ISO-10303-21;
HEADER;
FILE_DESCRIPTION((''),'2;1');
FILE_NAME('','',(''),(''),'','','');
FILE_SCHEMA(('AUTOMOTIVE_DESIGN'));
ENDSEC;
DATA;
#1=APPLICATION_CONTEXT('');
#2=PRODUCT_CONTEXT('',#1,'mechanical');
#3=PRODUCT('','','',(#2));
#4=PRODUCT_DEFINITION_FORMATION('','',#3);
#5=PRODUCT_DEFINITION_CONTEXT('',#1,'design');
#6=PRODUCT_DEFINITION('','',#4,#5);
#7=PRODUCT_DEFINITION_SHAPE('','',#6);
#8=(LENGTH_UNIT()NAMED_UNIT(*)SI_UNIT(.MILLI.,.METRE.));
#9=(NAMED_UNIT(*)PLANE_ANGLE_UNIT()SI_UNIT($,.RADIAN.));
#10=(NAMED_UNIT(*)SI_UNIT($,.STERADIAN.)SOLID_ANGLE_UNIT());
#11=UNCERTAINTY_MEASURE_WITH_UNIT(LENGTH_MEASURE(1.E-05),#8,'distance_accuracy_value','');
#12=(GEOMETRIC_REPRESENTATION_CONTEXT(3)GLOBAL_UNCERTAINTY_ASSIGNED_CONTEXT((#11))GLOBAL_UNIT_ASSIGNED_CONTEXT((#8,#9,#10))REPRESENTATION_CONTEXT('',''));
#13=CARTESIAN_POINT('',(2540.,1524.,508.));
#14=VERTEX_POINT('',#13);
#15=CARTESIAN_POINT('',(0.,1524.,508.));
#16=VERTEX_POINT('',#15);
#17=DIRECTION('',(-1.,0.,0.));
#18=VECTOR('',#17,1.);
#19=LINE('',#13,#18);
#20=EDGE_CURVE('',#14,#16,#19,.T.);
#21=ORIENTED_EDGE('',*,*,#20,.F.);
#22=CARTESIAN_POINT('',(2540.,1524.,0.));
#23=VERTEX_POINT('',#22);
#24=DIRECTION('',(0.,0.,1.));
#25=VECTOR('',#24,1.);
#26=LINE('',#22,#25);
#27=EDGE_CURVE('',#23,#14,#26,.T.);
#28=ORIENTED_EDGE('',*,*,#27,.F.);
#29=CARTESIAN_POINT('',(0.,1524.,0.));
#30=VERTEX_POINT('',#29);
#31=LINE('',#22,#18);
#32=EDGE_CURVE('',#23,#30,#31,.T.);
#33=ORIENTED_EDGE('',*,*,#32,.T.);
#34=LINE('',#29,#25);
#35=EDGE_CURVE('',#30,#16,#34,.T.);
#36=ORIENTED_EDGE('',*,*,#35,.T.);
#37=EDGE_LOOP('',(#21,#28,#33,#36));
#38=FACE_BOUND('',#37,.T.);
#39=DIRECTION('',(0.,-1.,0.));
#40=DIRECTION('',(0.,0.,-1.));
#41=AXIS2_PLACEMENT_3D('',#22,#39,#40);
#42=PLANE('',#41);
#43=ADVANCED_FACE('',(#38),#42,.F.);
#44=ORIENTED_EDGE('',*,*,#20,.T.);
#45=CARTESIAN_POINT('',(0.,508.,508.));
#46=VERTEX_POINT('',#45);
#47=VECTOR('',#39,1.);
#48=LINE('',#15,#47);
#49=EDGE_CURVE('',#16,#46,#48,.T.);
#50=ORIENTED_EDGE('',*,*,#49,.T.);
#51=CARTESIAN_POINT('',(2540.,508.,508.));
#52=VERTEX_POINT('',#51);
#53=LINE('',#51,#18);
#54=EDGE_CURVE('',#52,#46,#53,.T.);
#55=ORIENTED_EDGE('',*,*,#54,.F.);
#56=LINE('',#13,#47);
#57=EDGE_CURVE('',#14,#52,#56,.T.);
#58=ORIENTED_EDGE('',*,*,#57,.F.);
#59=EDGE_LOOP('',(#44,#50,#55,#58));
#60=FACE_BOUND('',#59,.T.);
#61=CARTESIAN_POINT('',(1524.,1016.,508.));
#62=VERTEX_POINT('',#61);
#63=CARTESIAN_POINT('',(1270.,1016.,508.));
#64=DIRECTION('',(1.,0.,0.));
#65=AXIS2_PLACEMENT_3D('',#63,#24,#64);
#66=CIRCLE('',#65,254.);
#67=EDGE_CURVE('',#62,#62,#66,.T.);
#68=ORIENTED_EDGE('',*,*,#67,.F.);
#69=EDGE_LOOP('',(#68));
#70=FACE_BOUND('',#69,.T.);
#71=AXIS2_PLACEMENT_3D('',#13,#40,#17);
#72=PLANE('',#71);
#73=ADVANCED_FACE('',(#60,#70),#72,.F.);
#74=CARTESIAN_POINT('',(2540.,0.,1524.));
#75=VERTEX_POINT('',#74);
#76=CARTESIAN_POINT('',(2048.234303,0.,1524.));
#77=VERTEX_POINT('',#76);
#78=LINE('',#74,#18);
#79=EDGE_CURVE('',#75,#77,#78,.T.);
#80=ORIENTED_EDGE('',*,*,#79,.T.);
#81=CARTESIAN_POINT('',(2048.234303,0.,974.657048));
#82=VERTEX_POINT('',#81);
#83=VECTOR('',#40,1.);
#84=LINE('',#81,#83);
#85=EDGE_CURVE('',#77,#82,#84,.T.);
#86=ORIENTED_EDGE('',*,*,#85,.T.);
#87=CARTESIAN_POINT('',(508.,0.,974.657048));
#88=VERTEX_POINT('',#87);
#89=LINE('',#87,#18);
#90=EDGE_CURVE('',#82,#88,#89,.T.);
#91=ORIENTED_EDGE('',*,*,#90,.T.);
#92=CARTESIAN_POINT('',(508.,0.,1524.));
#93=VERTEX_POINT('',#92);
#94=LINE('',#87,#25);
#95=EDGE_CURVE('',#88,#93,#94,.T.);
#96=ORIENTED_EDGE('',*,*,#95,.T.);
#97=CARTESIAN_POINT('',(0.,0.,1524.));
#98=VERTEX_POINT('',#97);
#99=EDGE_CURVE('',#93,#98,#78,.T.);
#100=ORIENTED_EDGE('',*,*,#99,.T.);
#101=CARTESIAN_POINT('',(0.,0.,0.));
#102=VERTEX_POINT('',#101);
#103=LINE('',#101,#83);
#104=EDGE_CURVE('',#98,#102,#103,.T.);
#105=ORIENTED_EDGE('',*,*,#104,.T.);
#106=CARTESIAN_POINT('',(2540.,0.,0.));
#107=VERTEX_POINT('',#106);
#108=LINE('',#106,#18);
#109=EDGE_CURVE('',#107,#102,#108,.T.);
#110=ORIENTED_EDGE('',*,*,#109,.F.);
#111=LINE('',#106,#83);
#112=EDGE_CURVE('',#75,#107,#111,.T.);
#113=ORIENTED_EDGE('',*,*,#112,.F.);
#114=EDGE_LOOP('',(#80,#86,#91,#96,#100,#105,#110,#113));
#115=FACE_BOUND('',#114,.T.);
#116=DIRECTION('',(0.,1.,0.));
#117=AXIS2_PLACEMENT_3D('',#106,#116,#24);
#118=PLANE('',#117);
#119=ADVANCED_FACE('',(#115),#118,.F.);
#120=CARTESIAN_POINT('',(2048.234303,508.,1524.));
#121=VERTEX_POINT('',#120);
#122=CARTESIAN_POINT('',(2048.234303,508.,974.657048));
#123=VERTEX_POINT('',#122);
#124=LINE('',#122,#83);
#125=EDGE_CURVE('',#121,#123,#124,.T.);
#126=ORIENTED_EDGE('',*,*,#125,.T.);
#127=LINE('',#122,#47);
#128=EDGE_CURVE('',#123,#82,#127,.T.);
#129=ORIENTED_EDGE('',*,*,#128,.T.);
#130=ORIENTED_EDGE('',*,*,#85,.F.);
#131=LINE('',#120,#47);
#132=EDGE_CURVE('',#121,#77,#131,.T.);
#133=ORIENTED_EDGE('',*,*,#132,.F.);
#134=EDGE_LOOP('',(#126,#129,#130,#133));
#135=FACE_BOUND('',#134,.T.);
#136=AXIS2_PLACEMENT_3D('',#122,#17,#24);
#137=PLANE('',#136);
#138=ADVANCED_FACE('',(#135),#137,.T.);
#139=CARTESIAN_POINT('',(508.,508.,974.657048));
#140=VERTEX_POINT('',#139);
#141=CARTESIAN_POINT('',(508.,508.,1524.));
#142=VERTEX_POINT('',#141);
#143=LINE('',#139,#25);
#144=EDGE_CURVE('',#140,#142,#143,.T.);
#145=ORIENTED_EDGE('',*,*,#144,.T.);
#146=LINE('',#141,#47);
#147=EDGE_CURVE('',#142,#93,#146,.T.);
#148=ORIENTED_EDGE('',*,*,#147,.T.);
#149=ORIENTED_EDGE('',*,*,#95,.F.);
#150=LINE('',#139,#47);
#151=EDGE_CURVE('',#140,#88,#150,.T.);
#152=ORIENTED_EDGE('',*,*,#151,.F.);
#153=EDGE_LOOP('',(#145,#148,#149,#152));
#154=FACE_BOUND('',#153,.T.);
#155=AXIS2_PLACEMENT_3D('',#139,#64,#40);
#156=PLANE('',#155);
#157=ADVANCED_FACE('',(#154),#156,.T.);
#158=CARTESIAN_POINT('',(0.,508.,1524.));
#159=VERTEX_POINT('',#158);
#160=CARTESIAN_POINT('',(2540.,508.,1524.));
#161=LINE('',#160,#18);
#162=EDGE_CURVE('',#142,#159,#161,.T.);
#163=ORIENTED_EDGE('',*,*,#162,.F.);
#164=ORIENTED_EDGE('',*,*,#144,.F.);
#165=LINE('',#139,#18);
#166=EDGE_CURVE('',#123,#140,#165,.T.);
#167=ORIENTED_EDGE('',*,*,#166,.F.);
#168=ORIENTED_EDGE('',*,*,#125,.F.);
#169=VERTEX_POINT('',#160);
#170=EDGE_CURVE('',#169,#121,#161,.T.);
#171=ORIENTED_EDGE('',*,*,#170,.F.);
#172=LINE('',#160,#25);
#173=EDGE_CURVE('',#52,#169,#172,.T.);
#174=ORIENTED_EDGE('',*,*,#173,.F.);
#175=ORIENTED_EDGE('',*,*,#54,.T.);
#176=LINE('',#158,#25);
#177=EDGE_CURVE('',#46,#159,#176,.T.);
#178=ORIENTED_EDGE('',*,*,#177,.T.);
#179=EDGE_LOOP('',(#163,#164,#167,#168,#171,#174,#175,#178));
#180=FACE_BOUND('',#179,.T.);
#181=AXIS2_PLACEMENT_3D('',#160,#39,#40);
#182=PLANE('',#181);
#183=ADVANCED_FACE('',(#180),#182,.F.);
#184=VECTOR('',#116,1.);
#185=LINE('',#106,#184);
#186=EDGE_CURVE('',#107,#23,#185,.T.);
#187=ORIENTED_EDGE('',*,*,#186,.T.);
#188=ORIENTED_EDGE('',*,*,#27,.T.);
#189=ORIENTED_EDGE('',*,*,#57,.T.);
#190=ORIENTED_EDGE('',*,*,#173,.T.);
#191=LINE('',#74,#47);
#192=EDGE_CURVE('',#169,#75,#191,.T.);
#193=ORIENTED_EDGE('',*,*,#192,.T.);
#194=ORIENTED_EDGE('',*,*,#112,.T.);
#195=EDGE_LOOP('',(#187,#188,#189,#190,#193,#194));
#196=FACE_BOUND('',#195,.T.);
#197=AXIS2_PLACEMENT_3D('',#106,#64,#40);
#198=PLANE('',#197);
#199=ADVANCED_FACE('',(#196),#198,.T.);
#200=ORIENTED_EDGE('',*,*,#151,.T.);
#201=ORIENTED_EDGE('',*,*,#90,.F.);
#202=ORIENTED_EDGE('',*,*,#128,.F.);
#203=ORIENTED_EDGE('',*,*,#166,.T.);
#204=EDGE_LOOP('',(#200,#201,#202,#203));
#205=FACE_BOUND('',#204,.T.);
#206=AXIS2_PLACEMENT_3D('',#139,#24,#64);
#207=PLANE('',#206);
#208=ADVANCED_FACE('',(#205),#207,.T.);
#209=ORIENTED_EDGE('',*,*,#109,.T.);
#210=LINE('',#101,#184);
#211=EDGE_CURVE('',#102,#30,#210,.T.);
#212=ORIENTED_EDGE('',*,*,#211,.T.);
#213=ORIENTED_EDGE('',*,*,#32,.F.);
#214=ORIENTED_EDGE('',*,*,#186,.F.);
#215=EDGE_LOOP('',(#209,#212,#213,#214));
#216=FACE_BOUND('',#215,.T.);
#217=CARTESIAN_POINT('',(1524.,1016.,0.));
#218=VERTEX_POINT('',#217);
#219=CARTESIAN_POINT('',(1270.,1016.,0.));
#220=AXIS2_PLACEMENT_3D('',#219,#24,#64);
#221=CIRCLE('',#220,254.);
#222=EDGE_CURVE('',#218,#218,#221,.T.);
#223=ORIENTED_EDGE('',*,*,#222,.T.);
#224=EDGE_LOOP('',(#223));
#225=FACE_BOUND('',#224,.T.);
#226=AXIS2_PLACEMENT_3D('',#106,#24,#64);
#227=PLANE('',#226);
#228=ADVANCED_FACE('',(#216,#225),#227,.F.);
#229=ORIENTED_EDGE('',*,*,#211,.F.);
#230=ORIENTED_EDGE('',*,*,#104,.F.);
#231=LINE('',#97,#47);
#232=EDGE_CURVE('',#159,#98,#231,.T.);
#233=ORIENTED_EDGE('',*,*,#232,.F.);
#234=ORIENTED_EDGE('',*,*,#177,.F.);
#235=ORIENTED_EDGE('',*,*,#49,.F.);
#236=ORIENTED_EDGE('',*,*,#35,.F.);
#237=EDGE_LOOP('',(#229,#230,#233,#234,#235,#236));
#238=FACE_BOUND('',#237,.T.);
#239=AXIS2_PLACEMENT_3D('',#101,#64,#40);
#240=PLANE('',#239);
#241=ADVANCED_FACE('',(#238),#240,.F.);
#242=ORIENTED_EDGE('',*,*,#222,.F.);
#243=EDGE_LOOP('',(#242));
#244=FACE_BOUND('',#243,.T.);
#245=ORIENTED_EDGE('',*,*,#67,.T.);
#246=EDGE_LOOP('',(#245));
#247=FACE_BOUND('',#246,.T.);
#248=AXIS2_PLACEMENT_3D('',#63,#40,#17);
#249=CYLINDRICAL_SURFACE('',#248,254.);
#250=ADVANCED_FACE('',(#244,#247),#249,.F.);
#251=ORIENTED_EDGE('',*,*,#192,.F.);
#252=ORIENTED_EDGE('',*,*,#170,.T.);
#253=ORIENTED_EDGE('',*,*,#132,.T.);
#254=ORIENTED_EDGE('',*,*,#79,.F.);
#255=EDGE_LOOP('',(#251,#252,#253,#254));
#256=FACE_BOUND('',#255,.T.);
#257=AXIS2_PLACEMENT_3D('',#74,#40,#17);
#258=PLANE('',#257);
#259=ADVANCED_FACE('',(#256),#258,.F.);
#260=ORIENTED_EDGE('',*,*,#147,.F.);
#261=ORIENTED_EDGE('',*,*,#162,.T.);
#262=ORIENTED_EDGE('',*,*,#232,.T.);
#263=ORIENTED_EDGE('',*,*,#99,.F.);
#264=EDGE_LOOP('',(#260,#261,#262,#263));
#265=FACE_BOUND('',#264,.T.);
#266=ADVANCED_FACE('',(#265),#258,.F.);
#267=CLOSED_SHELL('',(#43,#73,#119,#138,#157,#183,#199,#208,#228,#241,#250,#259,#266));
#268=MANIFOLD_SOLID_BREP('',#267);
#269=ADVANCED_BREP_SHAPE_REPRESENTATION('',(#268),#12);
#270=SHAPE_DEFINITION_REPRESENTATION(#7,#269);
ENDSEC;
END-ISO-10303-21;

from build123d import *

# Parameters (mm, degrees)
BOSS_EXTRUDE1_DEPTH = 2540
SKETCH2_W           = 1540.234303032
SKETCH2_H           = 549.342952078
CUT_EXTRUDE1_DEPTH  = 508
SKETCH3_R           = 254
CUT_EXTRUDE2_DEPTH  = 508


with BuildPart() as part:
    # Sketch1 → Boss-Extrude1 (new body)
    with BuildSketch(Plane(origin=(0, 0, 0), x_dir=(0, 0, -1), z_dir=(1, 0, 0))):
        Polygon((0, 0), (-1524, 0), (-1524, 508), (-508, 508), (-508, 1524), (0, 1524), align=None)
    extrude(amount=BOSS_EXTRUDE1_DEPTH)

    # Sketch2 → Cut-Extrude1 (cut)
    with BuildSketch(Plane(origin=(0, 0, 0), x_dir=(1, 0, 0), z_dir=(0, 1, 0))):
        with Locations((1278.117151516, -1249.328523961)):
            Rectangle(SKETCH2_W, SKETCH2_H)
    extrude(amount=CUT_EXTRUDE1_DEPTH, mode=Mode.SUBTRACT)

    # Sketch3 → Cut-Extrude2 (cut)
    with BuildSketch(Plane.XY):
        with Locations((1270, 1016)):
            Circle(SKETCH3_R)
    extrude(amount=CUT_EXTRUDE2_DEPTH, mode=Mode.SUBTRACT)


solid = part.part
